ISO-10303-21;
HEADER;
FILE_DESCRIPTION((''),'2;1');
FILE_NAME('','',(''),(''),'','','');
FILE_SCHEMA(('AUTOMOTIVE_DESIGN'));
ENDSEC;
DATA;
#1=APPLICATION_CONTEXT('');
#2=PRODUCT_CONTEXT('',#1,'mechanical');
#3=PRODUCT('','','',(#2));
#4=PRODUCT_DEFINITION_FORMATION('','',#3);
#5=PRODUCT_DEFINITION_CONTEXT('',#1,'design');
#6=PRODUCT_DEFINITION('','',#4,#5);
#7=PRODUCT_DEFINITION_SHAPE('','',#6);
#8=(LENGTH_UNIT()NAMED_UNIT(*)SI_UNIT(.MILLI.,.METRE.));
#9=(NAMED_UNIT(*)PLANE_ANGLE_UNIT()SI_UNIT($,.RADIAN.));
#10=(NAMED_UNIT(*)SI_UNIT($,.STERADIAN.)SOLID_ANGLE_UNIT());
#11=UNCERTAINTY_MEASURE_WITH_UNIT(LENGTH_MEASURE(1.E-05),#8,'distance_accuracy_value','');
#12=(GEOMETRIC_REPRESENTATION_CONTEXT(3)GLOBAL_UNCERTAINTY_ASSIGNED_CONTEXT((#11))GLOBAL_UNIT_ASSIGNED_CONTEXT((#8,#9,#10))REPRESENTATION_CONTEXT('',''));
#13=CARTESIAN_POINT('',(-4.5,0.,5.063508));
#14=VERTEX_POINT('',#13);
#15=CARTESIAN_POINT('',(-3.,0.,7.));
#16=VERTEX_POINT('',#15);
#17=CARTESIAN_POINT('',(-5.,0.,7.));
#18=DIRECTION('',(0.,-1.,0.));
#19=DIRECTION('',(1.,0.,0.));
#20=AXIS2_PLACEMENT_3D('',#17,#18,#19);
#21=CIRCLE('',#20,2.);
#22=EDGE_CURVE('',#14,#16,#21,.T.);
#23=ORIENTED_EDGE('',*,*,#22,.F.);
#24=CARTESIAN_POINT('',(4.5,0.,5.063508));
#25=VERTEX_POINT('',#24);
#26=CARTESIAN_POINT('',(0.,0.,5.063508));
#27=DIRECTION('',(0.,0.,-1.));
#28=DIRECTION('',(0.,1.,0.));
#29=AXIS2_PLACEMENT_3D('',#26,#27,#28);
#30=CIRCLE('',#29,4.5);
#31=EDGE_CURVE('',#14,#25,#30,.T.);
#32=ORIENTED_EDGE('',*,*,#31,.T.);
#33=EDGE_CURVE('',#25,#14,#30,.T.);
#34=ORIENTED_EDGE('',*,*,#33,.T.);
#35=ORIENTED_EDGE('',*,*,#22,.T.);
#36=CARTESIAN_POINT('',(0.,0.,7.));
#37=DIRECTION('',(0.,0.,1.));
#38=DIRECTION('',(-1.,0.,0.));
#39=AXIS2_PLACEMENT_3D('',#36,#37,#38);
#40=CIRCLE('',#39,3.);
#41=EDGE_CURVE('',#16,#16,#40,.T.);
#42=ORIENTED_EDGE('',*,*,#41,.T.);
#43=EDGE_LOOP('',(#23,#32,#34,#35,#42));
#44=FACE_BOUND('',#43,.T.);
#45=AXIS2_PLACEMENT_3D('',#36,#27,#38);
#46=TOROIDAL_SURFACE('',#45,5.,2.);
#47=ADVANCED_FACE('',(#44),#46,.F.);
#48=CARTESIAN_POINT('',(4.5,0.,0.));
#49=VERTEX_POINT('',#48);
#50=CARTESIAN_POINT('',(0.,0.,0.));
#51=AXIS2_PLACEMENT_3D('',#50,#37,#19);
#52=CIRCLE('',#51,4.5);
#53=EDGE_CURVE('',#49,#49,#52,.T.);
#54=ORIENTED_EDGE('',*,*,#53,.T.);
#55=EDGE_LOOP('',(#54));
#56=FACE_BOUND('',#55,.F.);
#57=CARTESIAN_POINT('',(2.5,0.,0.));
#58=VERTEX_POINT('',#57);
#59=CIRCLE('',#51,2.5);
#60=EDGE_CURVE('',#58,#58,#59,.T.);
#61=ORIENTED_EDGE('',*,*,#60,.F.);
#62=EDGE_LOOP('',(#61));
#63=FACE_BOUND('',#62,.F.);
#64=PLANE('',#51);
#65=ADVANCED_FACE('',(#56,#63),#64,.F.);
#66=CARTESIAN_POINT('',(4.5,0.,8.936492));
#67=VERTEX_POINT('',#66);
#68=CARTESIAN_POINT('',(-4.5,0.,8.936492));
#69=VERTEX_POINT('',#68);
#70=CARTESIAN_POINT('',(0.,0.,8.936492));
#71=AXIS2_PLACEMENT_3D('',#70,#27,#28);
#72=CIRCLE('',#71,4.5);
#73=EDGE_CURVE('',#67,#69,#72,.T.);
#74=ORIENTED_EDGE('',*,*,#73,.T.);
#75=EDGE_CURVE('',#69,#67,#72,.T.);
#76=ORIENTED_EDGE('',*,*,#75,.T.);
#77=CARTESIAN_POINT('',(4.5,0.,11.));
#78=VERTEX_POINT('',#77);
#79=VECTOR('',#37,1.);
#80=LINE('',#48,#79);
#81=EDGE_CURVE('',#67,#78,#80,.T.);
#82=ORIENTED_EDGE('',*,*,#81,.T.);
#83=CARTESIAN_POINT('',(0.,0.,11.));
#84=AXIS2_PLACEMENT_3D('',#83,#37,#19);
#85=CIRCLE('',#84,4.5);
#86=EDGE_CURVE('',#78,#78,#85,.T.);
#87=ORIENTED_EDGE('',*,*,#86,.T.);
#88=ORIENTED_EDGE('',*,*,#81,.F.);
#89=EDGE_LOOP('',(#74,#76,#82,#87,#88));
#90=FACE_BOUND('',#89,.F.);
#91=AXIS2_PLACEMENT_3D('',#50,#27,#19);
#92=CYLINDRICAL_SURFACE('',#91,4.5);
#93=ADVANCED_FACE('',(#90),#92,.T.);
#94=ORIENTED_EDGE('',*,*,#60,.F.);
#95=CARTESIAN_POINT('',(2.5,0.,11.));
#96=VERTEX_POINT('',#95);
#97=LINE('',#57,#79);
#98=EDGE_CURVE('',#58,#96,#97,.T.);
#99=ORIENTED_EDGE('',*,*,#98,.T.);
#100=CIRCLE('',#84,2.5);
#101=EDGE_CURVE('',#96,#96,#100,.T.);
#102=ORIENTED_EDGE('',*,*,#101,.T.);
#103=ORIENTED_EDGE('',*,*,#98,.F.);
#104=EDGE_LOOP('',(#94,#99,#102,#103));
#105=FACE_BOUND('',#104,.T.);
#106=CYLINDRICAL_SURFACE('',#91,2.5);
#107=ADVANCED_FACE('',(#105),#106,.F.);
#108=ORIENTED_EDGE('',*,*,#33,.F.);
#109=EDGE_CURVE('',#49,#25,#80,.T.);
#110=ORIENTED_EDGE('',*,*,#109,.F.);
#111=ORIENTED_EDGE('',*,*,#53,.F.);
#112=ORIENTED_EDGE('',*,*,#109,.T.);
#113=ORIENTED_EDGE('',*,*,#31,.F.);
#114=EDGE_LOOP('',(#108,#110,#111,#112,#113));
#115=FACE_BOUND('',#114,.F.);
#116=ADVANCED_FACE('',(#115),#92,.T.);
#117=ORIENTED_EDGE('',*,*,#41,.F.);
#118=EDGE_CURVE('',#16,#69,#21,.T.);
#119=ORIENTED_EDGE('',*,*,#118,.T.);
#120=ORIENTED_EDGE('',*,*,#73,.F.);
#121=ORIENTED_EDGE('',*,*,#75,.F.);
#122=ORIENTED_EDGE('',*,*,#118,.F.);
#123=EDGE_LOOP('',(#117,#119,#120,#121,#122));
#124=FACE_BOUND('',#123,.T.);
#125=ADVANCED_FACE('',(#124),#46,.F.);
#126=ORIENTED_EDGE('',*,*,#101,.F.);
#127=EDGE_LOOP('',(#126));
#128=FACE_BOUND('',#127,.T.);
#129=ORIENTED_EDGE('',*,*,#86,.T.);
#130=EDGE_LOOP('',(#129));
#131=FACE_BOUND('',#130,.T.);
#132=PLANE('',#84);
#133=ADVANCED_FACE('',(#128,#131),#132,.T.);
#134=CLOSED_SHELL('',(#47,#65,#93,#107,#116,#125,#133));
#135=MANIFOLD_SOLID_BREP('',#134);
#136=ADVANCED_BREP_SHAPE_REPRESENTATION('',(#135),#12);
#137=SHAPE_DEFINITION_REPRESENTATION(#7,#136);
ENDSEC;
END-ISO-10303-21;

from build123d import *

# Parameters (mm, degrees)
F1_R     = 4.5
F1_R_2   = 2.5
F2_DEPTH = 11
F3_R     = 2


with BuildPart() as f2:
    # F1 (on Top) → F2 (new body)
    with BuildSketch(Plane.XY):
        Circle(F1_R)
        Circle(F1_R_2, mode=Mode.SUBTRACT)
    extrude(amount=F2_DEPTH)

    # F3 (on Front) → F4 (revolve, cut)
    with BuildSketch(Plane.XZ):
        with Locations((-5, 7)):
            Circle(F3_R)
    revolve(axis=Axis((0, 0, 11), (0, 0, 1)), mode=Mode.SUBTRACT)


solid = f2.part
